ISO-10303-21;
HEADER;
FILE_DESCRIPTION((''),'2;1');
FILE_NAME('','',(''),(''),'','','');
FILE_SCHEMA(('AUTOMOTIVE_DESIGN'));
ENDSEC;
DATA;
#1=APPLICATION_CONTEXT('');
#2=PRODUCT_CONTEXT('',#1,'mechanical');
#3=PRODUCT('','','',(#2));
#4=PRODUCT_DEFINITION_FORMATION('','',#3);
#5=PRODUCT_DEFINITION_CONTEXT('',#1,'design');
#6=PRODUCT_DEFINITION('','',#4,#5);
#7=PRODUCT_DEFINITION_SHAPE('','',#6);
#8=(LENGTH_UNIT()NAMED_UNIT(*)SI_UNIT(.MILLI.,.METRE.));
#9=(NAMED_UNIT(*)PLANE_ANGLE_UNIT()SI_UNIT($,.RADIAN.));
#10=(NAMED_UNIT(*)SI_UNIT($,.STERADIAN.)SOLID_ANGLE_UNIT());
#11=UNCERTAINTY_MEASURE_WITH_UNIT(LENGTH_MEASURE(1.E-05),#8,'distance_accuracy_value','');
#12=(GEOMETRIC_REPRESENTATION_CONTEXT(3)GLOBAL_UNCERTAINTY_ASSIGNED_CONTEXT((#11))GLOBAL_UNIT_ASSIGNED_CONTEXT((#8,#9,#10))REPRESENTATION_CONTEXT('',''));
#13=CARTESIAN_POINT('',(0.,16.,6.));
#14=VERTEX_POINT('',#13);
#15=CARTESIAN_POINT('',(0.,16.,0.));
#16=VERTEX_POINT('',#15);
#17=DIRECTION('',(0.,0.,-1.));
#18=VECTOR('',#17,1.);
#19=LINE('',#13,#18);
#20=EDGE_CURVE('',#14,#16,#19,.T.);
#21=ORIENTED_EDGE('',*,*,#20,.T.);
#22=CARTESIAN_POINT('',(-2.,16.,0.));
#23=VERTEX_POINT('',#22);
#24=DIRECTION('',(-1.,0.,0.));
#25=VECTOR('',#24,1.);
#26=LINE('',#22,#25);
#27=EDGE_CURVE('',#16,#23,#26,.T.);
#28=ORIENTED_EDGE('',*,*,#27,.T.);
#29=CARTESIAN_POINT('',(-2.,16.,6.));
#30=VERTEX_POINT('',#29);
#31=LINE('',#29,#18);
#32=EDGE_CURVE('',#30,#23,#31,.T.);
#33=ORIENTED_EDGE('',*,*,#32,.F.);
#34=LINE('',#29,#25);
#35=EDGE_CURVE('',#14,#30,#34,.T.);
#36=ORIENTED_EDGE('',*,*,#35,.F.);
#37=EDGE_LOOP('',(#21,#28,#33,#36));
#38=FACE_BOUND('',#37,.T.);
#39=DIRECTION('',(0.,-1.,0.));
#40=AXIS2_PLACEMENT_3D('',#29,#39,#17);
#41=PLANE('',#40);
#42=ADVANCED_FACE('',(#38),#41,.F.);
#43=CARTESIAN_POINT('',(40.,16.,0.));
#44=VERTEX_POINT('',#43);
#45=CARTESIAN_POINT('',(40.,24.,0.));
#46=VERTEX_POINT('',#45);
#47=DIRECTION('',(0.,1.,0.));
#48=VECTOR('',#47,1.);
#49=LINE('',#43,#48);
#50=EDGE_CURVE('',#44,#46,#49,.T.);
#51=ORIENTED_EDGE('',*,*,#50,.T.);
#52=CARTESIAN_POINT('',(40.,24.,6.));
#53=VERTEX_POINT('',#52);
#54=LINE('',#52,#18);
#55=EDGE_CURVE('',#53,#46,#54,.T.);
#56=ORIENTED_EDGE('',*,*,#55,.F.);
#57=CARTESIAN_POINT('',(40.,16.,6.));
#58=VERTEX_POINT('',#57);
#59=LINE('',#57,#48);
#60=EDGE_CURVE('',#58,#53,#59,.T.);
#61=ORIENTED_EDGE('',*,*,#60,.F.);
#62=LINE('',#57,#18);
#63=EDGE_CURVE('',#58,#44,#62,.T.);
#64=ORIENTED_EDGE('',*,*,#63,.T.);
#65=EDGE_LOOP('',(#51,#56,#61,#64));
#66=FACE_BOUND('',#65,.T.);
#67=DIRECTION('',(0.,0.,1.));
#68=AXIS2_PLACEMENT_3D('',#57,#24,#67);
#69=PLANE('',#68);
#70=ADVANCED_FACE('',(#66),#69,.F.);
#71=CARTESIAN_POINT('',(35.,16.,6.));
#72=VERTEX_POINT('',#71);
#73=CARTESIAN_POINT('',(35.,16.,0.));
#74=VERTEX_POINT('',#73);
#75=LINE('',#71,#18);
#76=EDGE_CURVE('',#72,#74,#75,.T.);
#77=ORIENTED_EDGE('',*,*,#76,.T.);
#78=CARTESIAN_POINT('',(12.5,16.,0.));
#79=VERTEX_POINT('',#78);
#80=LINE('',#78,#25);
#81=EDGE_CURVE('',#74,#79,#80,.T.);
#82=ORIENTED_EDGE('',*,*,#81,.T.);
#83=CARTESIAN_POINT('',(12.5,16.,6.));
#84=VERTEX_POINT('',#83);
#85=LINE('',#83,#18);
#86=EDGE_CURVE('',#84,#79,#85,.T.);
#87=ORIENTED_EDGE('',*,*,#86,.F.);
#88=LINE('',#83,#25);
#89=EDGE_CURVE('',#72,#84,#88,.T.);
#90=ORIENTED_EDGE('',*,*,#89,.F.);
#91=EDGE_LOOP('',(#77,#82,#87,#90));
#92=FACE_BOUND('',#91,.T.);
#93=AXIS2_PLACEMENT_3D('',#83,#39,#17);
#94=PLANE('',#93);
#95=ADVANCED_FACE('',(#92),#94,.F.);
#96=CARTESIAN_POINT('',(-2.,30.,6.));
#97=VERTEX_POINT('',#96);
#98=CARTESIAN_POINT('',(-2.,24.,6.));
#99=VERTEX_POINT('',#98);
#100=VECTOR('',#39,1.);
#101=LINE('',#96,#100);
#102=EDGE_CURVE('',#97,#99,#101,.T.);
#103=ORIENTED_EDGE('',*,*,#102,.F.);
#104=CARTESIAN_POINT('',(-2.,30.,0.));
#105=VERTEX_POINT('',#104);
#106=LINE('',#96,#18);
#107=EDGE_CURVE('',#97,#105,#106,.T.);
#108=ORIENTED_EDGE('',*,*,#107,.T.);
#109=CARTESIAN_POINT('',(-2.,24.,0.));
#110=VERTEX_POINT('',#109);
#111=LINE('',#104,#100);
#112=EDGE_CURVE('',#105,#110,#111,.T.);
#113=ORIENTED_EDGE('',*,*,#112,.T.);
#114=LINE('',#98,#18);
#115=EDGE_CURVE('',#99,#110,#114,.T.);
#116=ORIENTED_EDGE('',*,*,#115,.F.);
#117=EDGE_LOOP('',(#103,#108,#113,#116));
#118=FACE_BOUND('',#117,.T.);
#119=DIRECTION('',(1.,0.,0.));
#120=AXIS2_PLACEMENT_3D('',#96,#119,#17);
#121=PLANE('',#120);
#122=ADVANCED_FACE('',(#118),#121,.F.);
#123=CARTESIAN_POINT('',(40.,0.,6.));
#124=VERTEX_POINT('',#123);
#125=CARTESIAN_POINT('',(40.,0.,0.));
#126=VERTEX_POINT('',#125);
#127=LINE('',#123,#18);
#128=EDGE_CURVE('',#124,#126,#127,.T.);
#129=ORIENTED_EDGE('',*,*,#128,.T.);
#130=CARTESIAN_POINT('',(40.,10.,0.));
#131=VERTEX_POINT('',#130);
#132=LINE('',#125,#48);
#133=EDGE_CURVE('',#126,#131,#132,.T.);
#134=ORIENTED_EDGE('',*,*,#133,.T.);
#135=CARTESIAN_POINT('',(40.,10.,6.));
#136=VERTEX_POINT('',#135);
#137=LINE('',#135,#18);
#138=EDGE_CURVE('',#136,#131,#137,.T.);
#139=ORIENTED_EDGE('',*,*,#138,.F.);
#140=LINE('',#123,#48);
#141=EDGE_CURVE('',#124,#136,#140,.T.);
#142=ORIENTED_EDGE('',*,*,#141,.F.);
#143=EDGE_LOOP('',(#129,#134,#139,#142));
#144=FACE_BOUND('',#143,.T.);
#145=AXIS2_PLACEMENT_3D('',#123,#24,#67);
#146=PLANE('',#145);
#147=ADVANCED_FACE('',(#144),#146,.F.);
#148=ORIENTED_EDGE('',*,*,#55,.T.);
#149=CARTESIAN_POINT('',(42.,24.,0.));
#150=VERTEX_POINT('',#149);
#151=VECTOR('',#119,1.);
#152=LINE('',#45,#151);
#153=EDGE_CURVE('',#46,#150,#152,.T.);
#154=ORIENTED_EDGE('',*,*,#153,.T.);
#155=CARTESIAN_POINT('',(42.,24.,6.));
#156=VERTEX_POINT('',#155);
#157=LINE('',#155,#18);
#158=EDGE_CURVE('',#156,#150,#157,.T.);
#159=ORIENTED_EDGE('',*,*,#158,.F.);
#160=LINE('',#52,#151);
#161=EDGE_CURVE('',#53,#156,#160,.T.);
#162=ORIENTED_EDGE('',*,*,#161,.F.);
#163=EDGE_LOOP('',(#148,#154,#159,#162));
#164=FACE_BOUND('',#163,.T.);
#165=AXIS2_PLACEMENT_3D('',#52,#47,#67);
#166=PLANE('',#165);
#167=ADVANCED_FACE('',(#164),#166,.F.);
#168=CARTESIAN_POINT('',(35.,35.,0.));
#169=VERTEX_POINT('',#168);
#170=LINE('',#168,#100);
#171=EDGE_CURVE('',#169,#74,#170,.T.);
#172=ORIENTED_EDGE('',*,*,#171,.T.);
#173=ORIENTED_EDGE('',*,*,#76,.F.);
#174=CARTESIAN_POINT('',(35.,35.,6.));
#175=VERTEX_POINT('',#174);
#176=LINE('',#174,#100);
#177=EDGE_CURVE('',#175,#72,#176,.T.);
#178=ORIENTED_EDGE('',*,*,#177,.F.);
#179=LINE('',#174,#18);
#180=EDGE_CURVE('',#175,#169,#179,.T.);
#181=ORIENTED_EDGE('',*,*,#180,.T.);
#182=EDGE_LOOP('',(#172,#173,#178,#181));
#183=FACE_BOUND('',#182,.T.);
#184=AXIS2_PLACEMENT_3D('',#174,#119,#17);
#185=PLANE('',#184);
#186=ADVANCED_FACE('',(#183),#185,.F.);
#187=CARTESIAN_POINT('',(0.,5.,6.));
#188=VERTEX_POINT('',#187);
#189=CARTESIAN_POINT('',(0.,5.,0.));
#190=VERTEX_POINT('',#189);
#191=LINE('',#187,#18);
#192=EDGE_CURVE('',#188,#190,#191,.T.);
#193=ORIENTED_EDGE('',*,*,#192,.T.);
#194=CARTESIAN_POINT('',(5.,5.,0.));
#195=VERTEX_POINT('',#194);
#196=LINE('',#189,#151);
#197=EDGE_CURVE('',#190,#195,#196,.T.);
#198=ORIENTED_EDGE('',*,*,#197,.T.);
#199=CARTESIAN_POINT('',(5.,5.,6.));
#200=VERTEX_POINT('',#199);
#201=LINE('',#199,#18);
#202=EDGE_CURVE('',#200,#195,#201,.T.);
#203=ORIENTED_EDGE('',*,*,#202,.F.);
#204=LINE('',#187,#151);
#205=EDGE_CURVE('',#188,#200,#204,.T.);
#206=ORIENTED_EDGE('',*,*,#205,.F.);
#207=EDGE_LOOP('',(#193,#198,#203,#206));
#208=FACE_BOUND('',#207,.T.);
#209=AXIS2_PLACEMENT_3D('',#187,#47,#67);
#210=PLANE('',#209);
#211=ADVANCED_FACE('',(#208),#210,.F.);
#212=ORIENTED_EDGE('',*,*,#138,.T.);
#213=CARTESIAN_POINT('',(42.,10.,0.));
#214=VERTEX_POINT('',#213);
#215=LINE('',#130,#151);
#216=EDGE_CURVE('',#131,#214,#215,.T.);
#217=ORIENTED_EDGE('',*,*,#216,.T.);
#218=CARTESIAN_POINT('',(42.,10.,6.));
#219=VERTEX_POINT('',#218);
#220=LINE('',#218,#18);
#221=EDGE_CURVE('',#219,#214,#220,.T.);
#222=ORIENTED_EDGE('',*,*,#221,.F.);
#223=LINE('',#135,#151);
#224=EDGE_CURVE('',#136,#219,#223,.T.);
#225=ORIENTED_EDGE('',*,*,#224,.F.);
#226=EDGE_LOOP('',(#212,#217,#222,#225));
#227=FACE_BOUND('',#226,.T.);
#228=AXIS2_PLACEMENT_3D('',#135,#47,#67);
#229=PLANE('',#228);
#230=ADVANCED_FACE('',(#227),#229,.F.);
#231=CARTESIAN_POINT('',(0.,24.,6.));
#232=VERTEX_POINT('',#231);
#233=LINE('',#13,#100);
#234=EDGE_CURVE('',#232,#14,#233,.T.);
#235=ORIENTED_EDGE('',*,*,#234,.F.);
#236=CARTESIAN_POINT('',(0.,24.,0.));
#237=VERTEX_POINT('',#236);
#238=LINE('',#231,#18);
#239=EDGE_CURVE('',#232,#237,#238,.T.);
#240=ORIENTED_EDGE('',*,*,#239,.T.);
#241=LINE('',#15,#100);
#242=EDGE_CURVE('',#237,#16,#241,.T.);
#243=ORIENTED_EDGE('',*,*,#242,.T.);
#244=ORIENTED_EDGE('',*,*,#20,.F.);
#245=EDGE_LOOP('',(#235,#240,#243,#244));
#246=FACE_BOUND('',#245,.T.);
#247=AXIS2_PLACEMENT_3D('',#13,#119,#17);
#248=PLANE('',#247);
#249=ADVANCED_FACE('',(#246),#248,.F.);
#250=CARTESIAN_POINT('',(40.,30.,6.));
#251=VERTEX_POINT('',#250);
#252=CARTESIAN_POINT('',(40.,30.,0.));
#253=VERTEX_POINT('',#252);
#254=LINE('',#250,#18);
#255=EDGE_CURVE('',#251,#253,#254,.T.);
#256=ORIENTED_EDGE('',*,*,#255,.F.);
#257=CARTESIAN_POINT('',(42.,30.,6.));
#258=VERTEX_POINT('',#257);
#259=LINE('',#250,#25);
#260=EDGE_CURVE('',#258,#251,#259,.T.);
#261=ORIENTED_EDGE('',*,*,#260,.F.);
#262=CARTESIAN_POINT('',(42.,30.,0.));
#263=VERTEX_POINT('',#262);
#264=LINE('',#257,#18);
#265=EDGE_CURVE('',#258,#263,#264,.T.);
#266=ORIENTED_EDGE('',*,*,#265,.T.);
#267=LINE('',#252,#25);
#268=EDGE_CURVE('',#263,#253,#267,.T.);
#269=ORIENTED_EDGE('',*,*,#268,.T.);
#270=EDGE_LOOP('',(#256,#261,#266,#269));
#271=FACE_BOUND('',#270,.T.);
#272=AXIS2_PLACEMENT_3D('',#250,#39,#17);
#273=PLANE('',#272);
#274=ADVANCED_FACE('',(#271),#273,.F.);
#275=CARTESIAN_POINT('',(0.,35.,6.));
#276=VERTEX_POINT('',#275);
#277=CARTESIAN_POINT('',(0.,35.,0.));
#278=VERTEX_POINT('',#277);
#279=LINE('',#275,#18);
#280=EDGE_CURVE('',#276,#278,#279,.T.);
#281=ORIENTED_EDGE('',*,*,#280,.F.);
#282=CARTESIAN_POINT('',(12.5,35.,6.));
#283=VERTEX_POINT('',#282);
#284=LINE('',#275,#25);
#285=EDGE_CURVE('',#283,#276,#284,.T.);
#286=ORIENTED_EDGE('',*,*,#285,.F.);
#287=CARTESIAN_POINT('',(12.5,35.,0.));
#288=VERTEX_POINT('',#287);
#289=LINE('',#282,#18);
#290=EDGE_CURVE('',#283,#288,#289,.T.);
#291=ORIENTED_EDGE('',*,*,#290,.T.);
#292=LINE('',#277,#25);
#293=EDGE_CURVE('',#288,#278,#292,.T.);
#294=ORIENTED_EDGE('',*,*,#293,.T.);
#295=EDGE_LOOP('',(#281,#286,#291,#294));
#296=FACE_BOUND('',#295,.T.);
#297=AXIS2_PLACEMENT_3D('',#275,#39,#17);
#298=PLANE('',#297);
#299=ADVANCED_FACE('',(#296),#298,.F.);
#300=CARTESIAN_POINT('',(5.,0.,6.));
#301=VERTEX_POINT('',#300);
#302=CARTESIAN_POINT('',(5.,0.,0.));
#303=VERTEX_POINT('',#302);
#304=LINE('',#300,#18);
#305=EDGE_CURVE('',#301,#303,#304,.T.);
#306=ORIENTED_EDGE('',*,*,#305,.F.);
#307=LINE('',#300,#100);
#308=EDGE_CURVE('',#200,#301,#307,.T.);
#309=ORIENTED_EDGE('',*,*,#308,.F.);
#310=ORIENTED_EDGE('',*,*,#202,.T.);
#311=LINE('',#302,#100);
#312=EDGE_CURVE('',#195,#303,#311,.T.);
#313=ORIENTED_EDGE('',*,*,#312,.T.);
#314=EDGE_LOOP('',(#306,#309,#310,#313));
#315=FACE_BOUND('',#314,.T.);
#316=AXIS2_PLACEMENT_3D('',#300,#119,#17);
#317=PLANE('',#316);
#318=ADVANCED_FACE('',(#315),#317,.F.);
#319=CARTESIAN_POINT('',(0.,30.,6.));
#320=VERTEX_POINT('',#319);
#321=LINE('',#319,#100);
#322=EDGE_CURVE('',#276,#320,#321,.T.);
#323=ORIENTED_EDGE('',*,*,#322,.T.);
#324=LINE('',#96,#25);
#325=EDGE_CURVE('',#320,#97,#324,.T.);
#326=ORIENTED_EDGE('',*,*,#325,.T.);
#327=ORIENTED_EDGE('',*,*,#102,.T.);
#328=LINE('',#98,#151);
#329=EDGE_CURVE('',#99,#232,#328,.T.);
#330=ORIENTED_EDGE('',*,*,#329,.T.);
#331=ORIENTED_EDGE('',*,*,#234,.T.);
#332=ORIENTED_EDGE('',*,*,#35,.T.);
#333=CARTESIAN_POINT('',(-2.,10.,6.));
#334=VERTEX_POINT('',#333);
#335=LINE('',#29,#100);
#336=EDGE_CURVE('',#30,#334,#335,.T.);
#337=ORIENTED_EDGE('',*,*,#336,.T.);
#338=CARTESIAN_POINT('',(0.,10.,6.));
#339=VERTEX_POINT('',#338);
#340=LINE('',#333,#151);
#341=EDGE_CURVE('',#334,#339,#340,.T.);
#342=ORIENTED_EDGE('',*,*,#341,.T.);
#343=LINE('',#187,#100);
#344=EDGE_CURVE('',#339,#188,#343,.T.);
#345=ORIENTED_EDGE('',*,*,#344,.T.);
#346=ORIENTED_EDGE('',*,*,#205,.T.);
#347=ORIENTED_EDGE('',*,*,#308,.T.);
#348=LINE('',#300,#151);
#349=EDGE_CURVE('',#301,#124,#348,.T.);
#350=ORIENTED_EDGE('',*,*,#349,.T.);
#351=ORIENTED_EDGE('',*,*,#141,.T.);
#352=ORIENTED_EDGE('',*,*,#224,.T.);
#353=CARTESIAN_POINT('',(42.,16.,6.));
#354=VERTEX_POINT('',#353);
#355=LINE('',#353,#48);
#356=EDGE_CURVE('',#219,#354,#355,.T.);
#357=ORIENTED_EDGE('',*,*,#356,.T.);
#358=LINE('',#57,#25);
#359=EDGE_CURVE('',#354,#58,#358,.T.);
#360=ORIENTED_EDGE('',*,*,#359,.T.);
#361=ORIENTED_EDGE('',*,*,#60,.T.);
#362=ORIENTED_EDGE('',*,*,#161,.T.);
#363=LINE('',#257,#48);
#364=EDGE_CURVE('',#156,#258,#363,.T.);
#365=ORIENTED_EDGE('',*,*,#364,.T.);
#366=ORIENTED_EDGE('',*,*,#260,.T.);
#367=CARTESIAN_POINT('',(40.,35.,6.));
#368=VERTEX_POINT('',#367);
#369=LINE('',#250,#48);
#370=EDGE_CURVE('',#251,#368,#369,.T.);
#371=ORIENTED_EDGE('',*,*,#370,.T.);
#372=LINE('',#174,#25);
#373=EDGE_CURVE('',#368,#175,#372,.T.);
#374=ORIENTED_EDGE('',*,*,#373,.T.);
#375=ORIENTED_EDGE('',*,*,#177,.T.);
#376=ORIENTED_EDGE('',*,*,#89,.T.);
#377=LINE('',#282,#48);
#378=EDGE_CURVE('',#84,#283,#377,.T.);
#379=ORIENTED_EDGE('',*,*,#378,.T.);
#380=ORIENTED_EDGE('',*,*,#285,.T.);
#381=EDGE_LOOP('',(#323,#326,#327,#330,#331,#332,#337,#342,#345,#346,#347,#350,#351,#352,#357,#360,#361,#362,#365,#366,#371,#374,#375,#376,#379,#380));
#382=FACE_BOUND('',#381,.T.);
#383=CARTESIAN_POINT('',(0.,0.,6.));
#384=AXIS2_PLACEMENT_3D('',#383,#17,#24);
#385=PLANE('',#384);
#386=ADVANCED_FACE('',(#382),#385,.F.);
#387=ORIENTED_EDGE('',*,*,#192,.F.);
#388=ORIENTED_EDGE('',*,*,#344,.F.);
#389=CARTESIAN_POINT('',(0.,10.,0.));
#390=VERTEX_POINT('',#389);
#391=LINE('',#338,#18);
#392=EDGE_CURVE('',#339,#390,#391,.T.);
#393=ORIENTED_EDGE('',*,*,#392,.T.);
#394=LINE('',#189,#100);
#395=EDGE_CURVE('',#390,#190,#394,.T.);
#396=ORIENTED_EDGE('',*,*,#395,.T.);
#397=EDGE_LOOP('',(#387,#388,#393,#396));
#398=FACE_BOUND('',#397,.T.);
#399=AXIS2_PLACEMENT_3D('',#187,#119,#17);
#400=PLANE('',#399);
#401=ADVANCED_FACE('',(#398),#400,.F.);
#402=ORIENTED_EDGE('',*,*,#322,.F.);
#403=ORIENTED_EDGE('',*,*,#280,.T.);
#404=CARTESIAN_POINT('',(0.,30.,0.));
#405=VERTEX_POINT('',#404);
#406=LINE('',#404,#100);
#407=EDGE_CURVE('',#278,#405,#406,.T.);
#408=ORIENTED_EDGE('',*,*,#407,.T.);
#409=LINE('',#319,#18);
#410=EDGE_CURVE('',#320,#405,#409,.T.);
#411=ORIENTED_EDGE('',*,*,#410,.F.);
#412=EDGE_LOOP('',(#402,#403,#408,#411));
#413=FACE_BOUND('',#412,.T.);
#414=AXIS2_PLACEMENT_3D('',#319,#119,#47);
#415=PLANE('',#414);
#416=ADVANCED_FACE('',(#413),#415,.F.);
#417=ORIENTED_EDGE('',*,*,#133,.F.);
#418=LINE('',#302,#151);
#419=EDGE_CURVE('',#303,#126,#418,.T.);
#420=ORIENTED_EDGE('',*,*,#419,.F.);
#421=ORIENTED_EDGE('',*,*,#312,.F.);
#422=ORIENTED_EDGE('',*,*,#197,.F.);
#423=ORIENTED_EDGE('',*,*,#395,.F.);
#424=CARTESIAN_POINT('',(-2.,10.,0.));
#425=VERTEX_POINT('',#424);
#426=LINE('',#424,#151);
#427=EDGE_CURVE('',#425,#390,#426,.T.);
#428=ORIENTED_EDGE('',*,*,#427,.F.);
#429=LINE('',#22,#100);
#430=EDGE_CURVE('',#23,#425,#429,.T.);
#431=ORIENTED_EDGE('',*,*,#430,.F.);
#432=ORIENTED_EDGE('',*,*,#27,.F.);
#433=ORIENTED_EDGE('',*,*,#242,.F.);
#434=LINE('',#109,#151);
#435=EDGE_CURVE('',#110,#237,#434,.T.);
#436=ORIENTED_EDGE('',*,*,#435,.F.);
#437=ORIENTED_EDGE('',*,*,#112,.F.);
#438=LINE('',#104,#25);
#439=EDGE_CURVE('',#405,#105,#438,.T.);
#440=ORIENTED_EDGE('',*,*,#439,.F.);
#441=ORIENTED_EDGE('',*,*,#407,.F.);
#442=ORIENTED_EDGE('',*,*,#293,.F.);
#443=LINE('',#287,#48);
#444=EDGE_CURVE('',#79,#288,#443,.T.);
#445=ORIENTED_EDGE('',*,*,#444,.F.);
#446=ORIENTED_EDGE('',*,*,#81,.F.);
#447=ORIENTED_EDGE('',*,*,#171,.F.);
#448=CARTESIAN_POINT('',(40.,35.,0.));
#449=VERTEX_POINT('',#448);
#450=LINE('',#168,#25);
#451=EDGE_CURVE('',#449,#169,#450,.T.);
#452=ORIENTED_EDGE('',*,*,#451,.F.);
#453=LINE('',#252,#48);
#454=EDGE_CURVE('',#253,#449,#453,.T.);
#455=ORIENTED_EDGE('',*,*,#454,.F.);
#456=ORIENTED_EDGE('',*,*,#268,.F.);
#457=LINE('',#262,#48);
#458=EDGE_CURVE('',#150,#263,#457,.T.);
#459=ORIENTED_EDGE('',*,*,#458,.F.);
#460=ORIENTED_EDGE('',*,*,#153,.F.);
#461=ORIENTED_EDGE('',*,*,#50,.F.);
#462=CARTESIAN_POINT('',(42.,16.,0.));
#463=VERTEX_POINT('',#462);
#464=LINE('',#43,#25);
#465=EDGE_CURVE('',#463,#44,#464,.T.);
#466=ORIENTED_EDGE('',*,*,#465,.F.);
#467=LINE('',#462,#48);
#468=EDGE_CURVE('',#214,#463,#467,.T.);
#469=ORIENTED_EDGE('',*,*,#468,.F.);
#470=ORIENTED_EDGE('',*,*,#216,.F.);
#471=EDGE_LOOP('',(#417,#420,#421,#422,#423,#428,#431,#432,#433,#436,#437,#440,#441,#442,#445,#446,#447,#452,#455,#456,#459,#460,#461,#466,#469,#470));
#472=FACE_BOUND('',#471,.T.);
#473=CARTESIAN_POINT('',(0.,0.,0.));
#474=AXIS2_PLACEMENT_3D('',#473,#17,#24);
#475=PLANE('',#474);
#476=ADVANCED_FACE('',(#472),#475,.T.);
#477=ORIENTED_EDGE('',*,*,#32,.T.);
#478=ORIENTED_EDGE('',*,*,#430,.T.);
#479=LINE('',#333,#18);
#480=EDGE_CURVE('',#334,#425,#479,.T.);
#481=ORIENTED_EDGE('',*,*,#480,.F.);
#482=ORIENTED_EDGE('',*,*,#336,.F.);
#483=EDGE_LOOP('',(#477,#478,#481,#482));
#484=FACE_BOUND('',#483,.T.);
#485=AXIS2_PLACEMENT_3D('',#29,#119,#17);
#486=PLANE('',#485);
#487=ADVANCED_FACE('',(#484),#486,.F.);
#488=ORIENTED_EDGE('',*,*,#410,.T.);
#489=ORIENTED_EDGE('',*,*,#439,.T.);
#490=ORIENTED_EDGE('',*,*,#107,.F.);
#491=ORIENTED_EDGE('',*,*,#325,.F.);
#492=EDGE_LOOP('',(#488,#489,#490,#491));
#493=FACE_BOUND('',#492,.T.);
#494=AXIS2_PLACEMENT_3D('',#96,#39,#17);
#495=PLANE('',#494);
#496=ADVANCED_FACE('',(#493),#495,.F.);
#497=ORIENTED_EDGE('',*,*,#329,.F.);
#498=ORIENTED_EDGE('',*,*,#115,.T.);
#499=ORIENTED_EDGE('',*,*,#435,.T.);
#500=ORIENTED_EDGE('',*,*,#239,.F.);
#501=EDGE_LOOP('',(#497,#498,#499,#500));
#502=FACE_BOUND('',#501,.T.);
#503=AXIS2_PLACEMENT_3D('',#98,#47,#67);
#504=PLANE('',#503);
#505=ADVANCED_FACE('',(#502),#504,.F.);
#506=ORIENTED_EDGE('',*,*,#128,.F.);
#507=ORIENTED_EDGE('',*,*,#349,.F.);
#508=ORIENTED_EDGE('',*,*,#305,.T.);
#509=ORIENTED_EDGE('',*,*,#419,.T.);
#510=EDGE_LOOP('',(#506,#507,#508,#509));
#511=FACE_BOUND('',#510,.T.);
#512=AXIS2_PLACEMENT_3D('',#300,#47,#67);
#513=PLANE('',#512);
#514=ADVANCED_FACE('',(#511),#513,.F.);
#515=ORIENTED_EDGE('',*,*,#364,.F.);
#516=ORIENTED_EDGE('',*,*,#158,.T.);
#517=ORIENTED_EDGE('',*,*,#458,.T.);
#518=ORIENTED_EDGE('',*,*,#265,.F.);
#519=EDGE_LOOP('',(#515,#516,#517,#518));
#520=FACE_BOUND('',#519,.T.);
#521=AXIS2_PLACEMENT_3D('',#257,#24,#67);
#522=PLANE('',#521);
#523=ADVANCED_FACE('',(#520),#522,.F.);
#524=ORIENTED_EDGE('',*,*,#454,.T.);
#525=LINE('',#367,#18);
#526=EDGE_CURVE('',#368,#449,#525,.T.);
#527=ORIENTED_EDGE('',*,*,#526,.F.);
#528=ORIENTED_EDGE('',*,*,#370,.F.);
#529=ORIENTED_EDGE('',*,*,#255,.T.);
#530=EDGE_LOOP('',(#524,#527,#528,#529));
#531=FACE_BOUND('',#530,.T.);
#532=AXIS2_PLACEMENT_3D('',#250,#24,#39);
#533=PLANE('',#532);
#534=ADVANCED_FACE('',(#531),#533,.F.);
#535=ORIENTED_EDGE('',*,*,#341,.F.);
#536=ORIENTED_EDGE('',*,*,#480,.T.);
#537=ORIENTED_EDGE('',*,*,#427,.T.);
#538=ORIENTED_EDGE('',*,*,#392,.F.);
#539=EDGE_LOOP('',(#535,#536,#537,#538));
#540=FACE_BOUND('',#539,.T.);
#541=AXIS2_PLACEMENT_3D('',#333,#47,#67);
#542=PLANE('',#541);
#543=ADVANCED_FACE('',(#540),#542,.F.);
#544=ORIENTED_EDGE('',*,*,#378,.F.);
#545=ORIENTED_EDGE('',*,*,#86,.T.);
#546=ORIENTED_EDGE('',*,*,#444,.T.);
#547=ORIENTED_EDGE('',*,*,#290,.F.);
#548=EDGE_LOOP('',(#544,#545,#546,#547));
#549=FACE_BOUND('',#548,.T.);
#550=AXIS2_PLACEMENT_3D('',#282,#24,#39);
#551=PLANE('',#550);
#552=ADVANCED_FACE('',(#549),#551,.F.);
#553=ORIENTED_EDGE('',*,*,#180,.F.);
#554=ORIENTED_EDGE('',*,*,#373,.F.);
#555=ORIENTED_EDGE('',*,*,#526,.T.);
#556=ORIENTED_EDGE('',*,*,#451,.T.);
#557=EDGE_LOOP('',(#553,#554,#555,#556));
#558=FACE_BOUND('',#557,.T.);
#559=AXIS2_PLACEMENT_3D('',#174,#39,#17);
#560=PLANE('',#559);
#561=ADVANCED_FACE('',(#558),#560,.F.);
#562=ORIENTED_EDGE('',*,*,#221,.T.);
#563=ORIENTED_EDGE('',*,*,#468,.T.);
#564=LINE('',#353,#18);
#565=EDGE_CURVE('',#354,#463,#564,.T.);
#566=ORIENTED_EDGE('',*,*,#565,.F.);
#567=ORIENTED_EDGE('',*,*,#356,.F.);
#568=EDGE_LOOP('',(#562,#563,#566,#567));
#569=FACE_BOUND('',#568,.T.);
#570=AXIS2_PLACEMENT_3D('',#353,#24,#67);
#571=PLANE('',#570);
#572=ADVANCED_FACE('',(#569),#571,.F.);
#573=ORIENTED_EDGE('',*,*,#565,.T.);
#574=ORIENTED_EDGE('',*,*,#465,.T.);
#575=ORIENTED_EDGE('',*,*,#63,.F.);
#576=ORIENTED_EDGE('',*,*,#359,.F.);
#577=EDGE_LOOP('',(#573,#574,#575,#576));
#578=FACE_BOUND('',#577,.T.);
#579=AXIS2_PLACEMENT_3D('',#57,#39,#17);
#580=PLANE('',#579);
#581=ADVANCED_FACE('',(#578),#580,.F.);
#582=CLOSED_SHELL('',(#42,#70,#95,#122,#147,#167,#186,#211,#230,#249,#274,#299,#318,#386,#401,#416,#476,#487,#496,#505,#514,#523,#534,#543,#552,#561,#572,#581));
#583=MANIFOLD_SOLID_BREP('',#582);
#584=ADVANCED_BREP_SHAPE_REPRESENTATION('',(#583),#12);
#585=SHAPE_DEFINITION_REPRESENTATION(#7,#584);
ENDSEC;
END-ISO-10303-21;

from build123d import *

# Parameters (mm, degrees)
EXTRUDE_1_DEPTH = 6


with BuildPart() as part:
    # Эскиз2 → Бобышка-Вытянуть1 (new body)
    with BuildSketch(Plane.XY):
        Polygon((35, 35), (40, 35), (40, 30), (42, 30), (42, 24), (40, 24), (40, 16), (42, 16), (42, 10), (40, 10), (40, 0), (5, 0), (5, 5), (0, 5), (0, 10), (-2, 10), (-2, 16), (0, 16), (0, 24), (-2, 24), (-2, 30), (0, 30), (0, 35), (12.5, 35), (12.5, 16), (35, 16), align=None)
    extrude(amount=EXTRUDE_1_DEPTH)


solid = part.part
